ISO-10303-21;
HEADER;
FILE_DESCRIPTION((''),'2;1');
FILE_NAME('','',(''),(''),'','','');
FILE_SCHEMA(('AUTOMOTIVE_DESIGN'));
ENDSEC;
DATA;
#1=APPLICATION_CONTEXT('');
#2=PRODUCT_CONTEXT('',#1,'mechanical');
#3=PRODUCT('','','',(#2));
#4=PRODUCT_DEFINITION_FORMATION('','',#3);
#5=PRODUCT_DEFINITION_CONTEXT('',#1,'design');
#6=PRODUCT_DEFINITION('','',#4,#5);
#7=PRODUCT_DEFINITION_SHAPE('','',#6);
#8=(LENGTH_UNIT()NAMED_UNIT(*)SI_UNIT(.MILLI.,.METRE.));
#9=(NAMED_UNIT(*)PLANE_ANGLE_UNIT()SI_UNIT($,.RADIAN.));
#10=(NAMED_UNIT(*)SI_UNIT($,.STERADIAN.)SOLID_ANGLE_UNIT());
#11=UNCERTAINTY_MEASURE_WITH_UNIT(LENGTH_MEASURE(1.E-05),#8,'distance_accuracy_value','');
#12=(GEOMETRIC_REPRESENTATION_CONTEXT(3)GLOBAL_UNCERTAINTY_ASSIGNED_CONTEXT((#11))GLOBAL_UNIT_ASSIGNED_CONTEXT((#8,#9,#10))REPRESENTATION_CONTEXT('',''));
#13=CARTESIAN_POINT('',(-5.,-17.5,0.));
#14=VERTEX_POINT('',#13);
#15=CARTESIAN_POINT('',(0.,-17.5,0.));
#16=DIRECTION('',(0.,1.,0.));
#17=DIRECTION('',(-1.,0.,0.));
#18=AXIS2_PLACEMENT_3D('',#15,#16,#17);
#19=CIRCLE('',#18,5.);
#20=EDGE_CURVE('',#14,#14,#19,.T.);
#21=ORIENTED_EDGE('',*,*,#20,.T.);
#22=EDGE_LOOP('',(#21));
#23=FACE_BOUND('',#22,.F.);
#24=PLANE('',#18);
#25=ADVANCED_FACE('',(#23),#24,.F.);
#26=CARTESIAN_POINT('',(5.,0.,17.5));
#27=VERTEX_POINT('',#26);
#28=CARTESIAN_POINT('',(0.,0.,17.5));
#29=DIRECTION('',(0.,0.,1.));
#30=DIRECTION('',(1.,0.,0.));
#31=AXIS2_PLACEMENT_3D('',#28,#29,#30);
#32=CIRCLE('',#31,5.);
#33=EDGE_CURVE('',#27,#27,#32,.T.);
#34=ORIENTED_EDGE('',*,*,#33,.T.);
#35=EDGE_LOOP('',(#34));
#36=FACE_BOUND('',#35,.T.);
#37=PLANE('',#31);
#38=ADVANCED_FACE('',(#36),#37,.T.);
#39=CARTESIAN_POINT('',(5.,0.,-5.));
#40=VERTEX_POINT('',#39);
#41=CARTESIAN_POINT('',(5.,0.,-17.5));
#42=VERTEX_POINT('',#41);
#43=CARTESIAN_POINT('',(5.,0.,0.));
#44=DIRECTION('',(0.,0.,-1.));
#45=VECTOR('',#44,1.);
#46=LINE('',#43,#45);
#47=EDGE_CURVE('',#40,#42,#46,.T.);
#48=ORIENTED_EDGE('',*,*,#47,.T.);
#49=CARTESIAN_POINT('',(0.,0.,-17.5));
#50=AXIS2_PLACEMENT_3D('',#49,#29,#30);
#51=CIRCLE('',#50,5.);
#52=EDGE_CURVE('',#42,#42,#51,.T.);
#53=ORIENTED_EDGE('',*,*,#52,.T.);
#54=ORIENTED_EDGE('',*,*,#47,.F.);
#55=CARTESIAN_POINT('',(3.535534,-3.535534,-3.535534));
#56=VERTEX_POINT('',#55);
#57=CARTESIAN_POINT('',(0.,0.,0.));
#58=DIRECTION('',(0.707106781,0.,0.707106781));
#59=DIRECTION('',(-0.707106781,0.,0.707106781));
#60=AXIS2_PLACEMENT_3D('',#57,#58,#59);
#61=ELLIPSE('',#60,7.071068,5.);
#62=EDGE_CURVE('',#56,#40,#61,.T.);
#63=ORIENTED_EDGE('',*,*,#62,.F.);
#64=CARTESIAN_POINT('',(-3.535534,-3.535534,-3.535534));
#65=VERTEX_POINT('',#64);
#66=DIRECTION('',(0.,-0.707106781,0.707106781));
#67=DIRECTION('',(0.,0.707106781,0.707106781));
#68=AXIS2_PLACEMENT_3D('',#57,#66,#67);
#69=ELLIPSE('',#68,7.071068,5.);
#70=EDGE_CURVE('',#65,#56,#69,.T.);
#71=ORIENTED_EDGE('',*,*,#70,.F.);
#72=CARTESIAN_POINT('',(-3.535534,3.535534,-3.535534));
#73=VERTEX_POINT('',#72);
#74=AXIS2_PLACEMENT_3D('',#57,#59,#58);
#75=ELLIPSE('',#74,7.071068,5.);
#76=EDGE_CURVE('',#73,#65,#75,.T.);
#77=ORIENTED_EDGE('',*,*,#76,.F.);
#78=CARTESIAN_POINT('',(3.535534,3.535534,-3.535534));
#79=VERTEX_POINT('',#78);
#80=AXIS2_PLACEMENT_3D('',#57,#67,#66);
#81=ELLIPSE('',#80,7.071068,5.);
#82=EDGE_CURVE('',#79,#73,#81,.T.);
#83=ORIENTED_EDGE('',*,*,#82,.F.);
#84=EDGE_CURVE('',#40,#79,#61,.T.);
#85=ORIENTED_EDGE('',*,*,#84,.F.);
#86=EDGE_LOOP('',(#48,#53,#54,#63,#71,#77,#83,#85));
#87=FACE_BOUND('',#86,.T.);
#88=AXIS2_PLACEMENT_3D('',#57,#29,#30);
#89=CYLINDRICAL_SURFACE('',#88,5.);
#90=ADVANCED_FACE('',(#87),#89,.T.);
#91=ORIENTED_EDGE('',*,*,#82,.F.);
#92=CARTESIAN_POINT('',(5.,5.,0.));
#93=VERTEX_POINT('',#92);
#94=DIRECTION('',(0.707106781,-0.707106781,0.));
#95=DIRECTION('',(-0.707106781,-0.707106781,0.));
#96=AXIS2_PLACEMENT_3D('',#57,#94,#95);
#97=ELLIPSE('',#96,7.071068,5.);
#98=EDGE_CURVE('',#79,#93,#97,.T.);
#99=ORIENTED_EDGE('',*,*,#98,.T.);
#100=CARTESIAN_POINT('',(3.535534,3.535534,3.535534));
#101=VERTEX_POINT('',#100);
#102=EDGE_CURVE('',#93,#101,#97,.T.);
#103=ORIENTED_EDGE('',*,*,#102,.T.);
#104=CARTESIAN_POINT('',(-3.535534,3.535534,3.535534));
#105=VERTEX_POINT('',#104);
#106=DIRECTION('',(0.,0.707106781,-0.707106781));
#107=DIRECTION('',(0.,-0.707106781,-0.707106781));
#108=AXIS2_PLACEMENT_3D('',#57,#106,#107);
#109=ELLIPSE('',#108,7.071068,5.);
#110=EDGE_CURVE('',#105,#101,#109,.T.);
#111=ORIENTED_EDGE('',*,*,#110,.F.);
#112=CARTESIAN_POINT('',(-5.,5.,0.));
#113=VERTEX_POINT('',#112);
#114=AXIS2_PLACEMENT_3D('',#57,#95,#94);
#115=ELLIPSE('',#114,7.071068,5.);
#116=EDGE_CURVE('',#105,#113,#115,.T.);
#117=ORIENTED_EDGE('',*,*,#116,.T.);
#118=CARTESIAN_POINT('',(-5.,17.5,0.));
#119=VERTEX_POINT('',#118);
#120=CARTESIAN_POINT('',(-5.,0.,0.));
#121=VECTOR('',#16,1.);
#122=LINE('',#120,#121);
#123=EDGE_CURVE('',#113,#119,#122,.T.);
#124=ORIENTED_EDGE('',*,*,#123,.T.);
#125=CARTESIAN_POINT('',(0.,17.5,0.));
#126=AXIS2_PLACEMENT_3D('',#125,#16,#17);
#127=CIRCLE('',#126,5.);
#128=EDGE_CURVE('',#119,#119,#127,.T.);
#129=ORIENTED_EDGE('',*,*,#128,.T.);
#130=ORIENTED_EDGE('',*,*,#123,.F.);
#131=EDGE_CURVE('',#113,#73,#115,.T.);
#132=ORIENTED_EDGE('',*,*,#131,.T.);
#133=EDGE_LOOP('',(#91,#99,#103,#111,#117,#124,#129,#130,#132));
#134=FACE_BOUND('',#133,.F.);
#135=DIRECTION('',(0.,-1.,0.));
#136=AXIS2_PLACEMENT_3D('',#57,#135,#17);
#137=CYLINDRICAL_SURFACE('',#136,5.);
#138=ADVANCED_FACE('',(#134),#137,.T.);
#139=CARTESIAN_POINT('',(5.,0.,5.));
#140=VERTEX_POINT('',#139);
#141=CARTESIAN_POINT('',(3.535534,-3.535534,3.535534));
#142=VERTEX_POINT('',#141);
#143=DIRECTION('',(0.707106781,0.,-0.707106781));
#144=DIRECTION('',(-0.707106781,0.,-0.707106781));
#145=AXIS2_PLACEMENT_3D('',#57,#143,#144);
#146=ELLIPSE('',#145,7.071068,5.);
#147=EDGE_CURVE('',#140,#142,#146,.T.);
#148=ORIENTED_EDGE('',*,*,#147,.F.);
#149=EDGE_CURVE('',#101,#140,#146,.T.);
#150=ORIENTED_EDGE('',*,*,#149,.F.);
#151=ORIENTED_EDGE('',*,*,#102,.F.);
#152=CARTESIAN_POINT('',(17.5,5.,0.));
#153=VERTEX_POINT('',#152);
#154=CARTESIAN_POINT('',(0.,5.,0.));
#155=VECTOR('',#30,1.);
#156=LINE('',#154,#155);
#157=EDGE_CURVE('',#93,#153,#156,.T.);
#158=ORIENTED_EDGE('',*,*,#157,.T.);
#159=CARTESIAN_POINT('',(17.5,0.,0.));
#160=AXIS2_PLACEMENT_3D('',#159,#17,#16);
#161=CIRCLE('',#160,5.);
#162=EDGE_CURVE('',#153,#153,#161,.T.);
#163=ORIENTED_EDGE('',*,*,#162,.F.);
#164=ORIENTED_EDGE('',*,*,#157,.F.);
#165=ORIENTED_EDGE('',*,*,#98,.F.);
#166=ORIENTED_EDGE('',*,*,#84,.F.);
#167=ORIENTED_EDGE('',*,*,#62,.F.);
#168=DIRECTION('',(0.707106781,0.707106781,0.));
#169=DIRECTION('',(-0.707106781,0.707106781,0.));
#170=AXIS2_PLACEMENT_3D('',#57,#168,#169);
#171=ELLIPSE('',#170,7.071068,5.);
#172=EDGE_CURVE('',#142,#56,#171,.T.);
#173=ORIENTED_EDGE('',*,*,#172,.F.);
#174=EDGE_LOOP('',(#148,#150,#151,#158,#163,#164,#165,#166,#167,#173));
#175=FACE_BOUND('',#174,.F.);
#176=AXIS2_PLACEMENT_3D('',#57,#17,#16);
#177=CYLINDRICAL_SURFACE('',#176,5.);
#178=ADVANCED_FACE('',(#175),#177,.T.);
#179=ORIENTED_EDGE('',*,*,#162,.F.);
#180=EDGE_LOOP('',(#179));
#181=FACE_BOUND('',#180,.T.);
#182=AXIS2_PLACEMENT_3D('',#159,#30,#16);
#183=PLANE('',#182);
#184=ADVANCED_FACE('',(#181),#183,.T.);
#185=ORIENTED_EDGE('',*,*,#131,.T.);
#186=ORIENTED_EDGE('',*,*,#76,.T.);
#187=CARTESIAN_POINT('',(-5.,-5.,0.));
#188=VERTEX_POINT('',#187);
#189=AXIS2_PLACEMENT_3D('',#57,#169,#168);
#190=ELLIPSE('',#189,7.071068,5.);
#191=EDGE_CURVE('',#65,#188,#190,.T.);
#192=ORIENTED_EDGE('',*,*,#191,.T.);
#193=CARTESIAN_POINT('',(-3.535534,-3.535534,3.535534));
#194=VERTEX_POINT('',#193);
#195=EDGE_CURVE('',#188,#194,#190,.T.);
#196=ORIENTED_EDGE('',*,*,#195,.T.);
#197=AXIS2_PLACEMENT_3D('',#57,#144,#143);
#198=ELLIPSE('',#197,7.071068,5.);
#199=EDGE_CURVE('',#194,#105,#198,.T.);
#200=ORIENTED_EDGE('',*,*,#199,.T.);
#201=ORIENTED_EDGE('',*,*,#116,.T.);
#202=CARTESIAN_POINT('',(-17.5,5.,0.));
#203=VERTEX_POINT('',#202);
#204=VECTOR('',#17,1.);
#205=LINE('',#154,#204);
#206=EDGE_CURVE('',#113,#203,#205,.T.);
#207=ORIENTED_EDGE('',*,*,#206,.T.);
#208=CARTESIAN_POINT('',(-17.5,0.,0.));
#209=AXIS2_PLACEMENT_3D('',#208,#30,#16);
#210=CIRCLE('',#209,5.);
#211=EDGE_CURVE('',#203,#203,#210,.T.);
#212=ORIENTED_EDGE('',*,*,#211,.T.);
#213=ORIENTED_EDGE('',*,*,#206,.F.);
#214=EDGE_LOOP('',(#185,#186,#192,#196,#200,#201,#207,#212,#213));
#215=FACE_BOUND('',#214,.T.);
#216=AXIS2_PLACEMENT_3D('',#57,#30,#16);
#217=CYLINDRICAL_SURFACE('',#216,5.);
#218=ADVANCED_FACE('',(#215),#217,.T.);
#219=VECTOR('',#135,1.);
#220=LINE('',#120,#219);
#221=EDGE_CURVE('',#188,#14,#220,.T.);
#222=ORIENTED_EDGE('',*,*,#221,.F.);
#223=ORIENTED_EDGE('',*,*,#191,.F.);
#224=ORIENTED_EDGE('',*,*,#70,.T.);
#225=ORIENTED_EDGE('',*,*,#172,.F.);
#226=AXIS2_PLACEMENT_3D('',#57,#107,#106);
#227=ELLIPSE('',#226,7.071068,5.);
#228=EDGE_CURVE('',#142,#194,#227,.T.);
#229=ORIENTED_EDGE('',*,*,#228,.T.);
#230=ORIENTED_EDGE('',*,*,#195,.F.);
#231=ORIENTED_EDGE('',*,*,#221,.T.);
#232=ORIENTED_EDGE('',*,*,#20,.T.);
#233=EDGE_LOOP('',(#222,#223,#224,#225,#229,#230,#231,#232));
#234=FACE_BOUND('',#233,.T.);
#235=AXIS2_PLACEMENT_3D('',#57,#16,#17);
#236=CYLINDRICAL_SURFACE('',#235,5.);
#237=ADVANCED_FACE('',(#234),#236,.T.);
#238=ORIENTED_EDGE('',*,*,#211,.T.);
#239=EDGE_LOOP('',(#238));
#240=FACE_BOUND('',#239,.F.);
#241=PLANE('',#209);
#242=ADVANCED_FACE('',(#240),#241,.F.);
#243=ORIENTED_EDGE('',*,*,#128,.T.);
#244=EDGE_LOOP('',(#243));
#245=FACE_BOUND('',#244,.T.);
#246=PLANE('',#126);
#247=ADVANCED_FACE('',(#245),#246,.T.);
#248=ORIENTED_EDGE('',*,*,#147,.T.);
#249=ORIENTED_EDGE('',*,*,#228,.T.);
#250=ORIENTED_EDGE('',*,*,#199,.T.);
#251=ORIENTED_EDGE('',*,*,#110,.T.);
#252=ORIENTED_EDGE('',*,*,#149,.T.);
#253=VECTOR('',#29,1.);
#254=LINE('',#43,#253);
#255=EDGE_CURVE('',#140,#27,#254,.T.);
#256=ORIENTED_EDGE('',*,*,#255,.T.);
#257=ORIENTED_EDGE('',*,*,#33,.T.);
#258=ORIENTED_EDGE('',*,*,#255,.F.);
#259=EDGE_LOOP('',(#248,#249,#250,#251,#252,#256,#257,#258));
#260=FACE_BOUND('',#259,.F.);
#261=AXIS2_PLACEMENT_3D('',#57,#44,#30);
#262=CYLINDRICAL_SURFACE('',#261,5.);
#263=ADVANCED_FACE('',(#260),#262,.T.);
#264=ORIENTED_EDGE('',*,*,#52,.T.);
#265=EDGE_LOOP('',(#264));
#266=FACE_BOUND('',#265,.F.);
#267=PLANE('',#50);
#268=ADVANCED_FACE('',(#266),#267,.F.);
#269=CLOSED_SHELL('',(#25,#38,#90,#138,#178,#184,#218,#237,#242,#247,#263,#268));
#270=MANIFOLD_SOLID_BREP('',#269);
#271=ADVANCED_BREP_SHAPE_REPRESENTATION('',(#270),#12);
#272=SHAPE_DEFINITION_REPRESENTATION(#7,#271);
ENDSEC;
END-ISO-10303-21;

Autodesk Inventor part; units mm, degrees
ref_plane "YZ Plane" through (0, 0, 0) normal (1, 0, 0) x (0, 1, 0)
ref_plane "XZ Plane" through (0, 0, 0) normal (0, 1, 0) x (-1, 0, 0)
ref_plane "XY Plane" through (0, 0, 0) normal (0, 0, 1) x (1, 0, 0)
sketch "Skizze1" plane through (0, 0, 0) normal (0, 0, 1) x (1, 0, 0)
  circle A0 centre (0, 0) radius 5
  dimension "d0" = 10
extrude "Extrusion1" add sketch "Skizze1" along normal mid plane 35
sketch "Skizze2" plane through (0, 0, 17.5) normal (0, 0, 1) x (1, 0, 0)
  circle A0 centre (0, 0) radius 5 projected
sketch "Skizze3" plane through (0, 0, 0) normal (0, 1, 0) x (-1, 0, 0)
  circle A0 centre (0, 0) radius 5
  dimension "d3" = 10
extrude "Extrusion2" add sketch "Skizze3" along normal mid plane 35
sketch "Skizze4" plane through (0, 0, 0) normal (1, 0, 0) x (0, 1, 0)
  line L0 (0, 0) -> (5, -5) projected
  circle A0 centre (0, 0) radius 5
  dimension "d6" = 10
extrude "Extrusion3" add sketch "Skizze4" along normal mid plane 35
properties part number "DrehAchse"
